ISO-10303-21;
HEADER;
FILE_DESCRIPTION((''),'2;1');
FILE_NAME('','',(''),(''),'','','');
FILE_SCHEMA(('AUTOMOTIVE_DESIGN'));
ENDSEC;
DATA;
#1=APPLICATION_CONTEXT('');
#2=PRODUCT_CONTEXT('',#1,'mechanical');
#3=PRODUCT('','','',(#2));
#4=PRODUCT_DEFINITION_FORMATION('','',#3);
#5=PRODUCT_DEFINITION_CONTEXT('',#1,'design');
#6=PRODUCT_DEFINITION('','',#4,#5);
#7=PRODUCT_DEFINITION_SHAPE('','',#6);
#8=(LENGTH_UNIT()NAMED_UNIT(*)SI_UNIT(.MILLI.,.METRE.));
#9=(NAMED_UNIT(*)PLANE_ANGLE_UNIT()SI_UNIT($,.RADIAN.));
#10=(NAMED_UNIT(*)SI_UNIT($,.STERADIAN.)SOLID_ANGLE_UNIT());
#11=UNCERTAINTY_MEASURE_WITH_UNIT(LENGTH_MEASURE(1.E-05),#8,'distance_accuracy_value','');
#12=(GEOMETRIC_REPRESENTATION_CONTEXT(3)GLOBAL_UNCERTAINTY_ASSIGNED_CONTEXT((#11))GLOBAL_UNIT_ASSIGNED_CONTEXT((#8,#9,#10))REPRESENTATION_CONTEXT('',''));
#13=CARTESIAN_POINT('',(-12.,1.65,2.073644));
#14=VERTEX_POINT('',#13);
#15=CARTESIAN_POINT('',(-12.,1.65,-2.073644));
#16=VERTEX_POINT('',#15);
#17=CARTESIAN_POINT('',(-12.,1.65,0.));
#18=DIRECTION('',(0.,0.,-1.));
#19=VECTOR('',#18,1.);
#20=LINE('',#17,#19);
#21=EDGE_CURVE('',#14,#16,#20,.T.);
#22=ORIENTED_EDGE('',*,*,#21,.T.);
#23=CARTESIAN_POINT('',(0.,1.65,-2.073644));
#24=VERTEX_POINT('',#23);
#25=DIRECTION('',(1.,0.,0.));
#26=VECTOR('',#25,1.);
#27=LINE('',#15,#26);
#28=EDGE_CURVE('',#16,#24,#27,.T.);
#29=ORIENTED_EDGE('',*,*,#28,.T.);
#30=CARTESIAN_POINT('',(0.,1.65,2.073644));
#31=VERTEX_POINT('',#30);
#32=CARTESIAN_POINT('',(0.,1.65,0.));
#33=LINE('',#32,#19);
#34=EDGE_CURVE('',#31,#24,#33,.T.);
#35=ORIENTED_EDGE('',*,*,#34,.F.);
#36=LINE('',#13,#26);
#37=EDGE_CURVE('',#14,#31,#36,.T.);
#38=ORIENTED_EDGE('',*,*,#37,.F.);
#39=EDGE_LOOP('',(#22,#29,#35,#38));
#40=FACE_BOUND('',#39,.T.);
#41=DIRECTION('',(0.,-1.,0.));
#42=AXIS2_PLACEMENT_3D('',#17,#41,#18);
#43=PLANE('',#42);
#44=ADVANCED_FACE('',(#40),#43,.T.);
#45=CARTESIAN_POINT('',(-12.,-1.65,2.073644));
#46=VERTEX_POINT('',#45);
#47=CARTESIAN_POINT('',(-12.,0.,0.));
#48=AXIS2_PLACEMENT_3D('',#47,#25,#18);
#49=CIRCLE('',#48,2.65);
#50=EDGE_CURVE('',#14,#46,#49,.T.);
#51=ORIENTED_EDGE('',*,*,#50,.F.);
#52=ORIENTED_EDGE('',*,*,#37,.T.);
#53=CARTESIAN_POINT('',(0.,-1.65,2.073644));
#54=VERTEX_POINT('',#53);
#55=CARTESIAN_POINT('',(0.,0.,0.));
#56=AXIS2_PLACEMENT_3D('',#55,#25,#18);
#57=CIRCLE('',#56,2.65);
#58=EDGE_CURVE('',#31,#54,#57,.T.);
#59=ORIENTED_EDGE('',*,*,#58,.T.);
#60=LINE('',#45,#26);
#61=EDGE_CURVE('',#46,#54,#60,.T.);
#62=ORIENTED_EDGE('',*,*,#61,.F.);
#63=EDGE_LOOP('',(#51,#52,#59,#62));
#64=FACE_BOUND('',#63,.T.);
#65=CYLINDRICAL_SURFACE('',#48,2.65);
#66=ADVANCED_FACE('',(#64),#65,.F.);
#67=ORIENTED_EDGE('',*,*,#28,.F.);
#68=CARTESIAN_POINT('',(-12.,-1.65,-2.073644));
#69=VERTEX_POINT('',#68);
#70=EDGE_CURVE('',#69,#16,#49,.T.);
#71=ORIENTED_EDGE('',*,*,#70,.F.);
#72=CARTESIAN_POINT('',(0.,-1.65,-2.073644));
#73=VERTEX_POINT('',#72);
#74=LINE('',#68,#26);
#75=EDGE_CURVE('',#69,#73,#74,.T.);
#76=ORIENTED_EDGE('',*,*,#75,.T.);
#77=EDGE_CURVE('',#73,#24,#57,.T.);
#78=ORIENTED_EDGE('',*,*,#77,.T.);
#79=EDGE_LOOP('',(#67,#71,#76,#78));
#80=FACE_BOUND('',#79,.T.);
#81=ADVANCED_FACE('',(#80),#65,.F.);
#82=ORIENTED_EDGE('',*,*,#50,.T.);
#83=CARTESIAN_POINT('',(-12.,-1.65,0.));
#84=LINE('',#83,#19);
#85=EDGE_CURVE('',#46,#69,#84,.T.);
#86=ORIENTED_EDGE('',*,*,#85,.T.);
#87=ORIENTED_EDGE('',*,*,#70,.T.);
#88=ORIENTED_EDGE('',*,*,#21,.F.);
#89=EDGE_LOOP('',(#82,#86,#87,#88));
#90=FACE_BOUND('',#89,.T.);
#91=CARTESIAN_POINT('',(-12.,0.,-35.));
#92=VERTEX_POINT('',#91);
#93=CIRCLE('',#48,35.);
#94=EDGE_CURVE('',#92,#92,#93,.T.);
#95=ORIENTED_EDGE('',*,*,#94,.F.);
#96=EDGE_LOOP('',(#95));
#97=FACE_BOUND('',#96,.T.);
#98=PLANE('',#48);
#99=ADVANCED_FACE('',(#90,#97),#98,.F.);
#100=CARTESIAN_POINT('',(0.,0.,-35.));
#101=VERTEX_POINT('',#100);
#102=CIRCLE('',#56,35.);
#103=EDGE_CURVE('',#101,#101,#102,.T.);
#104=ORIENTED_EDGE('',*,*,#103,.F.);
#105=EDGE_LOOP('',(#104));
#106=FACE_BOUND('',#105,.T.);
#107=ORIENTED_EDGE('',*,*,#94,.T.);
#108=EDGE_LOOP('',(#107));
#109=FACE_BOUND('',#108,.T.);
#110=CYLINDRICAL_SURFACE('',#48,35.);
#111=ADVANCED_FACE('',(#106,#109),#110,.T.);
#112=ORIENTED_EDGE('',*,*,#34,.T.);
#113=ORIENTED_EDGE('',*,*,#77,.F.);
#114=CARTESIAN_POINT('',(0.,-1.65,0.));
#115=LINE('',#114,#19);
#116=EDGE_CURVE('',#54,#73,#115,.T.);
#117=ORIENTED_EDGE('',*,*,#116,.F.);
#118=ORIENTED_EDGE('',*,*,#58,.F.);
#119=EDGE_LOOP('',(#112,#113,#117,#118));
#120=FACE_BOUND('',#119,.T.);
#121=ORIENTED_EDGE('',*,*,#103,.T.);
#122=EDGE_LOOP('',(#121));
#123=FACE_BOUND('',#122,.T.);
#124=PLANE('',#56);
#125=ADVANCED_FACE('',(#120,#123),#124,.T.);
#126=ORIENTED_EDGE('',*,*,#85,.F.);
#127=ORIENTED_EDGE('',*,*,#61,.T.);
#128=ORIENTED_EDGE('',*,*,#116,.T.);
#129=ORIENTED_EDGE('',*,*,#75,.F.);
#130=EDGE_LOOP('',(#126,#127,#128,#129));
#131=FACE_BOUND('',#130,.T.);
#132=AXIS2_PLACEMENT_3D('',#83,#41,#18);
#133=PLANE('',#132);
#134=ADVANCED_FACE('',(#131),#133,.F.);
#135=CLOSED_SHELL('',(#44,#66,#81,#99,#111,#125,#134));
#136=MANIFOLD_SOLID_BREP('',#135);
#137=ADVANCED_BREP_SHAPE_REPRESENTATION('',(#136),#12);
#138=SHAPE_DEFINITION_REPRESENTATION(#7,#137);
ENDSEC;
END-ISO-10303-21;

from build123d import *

# Parameters (mm, degrees)
SKETCH1_R           = 35
BOSS_EXTRUDE1_DEPTH = 12


with BuildPart() as part:
    # Sketch1 → Boss-Extrude1 (new body)
    with BuildSketch(Plane(origin=(0, 0, 0), x_dir=(0, 0, -1), z_dir=(1, 0, 0))):
        Circle(SKETCH1_R)
        with BuildLine():
            Line((-2.073644135, 1.65), (2.073644135, 1.65))
            ThreePointArc((2.073644135, 1.65), (2.65, 0), (2.073644135, -1.65))
            Line((2.073644135, -1.65), (-2.073644135, -1.65))
            ThreePointArc((-2.073644135, -1.65), (-2.65, 0), (-2.073644135, 1.65))
        make_face(mode=Mode.SUBTRACT)
    extrude(amount=-BOSS_EXTRUDE1_DEPTH)


solid = part.part
